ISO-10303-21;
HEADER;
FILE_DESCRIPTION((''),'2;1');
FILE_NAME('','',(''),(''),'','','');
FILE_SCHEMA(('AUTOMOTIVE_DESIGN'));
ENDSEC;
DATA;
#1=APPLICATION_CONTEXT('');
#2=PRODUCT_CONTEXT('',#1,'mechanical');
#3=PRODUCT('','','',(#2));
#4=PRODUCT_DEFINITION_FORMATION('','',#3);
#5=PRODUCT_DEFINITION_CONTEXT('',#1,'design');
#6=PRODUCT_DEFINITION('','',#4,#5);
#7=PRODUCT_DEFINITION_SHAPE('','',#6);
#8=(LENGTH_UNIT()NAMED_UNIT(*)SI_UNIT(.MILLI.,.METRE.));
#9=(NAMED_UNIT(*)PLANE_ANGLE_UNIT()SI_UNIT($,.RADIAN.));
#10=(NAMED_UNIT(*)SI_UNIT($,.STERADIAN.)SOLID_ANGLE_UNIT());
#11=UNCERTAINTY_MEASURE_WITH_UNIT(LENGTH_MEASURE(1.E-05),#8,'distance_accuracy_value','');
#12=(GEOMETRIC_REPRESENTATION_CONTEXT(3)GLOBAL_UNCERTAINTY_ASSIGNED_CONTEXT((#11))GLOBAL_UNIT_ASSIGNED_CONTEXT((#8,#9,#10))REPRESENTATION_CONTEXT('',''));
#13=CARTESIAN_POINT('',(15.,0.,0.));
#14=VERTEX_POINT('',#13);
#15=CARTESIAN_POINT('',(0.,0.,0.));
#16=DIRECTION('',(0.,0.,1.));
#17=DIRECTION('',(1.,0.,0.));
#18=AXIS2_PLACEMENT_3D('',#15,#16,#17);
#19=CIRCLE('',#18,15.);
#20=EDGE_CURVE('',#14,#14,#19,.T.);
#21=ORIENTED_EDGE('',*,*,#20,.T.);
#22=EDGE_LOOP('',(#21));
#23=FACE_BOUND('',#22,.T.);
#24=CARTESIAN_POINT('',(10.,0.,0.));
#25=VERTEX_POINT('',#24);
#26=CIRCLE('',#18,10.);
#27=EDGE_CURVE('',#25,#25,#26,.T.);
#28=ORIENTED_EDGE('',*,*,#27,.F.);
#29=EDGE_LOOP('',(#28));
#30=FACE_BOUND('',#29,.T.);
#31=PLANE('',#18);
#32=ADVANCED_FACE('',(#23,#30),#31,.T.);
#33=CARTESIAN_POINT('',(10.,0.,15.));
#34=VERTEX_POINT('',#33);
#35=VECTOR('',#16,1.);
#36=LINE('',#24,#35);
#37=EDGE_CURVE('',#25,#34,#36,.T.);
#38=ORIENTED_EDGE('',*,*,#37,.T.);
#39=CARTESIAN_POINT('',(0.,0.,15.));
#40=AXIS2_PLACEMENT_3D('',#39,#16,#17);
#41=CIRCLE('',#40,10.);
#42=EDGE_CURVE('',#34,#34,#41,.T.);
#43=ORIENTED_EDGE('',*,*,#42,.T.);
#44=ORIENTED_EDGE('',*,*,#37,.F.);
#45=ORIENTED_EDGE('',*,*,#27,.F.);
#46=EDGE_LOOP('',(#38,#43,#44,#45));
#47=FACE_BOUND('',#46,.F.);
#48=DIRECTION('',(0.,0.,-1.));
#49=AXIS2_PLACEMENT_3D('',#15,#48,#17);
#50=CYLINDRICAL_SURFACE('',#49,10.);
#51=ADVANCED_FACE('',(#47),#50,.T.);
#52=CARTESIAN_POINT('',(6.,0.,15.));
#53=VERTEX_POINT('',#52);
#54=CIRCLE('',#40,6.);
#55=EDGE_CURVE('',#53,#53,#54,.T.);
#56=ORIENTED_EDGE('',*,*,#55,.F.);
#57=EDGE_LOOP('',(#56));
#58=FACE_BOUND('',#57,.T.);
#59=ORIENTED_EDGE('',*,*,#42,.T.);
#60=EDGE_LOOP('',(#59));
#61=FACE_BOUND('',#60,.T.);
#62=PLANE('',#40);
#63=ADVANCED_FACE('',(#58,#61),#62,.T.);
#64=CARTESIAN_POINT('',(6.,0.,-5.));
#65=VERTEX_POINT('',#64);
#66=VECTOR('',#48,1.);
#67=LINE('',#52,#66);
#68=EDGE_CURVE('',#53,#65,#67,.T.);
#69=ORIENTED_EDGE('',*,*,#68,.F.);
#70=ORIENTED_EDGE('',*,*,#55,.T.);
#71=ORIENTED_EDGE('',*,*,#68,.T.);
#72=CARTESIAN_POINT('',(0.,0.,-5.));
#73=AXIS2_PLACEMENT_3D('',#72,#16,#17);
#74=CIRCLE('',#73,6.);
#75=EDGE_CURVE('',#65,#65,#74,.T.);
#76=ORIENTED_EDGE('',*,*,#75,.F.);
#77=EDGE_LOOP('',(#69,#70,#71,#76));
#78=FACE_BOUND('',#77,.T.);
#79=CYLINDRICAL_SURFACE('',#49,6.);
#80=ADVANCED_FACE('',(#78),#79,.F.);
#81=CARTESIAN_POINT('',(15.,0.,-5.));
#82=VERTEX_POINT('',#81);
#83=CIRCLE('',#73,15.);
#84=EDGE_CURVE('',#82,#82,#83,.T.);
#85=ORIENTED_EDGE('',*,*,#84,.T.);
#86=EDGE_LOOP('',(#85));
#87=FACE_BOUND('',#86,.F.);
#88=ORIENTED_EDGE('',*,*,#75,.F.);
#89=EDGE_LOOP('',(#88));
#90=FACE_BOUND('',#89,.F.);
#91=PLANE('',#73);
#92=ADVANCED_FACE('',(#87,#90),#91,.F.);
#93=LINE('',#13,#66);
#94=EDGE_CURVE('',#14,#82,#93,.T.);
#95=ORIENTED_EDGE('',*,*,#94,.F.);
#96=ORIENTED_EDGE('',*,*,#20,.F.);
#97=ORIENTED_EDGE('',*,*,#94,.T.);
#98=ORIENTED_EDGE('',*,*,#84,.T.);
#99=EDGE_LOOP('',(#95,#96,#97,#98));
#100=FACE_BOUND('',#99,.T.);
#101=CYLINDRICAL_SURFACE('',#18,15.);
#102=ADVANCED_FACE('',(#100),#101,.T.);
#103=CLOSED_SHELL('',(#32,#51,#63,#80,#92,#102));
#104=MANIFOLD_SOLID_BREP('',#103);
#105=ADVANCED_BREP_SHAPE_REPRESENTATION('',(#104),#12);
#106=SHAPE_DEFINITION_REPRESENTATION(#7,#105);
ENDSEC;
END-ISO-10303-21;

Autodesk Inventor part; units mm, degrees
ref_plane "YZ Plane" through (0, 0, 0) normal (1, 0, 0) x (0, 1, 0)
ref_plane "XZ Plane" through (0, 0, 0) normal (0, 1, 0) x (-1, 0, 0)
ref_plane "XY Plane" through (0, 0, 0) normal (0, 0, 1) x (1, 0, 0)
sketch "Boceto1" plane through (0, 0, 0) normal (0, 0, 1) x (1, 0, 0)
  circle A0 centre (0, 0) radius 15
  circle A1 centre (0, 0) radius 10
  circle A2 centre (0, 0) radius 6
  dimension "d0" = 30
  dimension "d1" = 20
  dimension "d2" = 12
extrude "Extrusión1" add sketch "Boceto1" against normal blind 5 contours A0 | A1
extrude "Extrusión2" add sketch "Boceto1" along normal blind 15 contours A1
properties part number "Buje polea"
